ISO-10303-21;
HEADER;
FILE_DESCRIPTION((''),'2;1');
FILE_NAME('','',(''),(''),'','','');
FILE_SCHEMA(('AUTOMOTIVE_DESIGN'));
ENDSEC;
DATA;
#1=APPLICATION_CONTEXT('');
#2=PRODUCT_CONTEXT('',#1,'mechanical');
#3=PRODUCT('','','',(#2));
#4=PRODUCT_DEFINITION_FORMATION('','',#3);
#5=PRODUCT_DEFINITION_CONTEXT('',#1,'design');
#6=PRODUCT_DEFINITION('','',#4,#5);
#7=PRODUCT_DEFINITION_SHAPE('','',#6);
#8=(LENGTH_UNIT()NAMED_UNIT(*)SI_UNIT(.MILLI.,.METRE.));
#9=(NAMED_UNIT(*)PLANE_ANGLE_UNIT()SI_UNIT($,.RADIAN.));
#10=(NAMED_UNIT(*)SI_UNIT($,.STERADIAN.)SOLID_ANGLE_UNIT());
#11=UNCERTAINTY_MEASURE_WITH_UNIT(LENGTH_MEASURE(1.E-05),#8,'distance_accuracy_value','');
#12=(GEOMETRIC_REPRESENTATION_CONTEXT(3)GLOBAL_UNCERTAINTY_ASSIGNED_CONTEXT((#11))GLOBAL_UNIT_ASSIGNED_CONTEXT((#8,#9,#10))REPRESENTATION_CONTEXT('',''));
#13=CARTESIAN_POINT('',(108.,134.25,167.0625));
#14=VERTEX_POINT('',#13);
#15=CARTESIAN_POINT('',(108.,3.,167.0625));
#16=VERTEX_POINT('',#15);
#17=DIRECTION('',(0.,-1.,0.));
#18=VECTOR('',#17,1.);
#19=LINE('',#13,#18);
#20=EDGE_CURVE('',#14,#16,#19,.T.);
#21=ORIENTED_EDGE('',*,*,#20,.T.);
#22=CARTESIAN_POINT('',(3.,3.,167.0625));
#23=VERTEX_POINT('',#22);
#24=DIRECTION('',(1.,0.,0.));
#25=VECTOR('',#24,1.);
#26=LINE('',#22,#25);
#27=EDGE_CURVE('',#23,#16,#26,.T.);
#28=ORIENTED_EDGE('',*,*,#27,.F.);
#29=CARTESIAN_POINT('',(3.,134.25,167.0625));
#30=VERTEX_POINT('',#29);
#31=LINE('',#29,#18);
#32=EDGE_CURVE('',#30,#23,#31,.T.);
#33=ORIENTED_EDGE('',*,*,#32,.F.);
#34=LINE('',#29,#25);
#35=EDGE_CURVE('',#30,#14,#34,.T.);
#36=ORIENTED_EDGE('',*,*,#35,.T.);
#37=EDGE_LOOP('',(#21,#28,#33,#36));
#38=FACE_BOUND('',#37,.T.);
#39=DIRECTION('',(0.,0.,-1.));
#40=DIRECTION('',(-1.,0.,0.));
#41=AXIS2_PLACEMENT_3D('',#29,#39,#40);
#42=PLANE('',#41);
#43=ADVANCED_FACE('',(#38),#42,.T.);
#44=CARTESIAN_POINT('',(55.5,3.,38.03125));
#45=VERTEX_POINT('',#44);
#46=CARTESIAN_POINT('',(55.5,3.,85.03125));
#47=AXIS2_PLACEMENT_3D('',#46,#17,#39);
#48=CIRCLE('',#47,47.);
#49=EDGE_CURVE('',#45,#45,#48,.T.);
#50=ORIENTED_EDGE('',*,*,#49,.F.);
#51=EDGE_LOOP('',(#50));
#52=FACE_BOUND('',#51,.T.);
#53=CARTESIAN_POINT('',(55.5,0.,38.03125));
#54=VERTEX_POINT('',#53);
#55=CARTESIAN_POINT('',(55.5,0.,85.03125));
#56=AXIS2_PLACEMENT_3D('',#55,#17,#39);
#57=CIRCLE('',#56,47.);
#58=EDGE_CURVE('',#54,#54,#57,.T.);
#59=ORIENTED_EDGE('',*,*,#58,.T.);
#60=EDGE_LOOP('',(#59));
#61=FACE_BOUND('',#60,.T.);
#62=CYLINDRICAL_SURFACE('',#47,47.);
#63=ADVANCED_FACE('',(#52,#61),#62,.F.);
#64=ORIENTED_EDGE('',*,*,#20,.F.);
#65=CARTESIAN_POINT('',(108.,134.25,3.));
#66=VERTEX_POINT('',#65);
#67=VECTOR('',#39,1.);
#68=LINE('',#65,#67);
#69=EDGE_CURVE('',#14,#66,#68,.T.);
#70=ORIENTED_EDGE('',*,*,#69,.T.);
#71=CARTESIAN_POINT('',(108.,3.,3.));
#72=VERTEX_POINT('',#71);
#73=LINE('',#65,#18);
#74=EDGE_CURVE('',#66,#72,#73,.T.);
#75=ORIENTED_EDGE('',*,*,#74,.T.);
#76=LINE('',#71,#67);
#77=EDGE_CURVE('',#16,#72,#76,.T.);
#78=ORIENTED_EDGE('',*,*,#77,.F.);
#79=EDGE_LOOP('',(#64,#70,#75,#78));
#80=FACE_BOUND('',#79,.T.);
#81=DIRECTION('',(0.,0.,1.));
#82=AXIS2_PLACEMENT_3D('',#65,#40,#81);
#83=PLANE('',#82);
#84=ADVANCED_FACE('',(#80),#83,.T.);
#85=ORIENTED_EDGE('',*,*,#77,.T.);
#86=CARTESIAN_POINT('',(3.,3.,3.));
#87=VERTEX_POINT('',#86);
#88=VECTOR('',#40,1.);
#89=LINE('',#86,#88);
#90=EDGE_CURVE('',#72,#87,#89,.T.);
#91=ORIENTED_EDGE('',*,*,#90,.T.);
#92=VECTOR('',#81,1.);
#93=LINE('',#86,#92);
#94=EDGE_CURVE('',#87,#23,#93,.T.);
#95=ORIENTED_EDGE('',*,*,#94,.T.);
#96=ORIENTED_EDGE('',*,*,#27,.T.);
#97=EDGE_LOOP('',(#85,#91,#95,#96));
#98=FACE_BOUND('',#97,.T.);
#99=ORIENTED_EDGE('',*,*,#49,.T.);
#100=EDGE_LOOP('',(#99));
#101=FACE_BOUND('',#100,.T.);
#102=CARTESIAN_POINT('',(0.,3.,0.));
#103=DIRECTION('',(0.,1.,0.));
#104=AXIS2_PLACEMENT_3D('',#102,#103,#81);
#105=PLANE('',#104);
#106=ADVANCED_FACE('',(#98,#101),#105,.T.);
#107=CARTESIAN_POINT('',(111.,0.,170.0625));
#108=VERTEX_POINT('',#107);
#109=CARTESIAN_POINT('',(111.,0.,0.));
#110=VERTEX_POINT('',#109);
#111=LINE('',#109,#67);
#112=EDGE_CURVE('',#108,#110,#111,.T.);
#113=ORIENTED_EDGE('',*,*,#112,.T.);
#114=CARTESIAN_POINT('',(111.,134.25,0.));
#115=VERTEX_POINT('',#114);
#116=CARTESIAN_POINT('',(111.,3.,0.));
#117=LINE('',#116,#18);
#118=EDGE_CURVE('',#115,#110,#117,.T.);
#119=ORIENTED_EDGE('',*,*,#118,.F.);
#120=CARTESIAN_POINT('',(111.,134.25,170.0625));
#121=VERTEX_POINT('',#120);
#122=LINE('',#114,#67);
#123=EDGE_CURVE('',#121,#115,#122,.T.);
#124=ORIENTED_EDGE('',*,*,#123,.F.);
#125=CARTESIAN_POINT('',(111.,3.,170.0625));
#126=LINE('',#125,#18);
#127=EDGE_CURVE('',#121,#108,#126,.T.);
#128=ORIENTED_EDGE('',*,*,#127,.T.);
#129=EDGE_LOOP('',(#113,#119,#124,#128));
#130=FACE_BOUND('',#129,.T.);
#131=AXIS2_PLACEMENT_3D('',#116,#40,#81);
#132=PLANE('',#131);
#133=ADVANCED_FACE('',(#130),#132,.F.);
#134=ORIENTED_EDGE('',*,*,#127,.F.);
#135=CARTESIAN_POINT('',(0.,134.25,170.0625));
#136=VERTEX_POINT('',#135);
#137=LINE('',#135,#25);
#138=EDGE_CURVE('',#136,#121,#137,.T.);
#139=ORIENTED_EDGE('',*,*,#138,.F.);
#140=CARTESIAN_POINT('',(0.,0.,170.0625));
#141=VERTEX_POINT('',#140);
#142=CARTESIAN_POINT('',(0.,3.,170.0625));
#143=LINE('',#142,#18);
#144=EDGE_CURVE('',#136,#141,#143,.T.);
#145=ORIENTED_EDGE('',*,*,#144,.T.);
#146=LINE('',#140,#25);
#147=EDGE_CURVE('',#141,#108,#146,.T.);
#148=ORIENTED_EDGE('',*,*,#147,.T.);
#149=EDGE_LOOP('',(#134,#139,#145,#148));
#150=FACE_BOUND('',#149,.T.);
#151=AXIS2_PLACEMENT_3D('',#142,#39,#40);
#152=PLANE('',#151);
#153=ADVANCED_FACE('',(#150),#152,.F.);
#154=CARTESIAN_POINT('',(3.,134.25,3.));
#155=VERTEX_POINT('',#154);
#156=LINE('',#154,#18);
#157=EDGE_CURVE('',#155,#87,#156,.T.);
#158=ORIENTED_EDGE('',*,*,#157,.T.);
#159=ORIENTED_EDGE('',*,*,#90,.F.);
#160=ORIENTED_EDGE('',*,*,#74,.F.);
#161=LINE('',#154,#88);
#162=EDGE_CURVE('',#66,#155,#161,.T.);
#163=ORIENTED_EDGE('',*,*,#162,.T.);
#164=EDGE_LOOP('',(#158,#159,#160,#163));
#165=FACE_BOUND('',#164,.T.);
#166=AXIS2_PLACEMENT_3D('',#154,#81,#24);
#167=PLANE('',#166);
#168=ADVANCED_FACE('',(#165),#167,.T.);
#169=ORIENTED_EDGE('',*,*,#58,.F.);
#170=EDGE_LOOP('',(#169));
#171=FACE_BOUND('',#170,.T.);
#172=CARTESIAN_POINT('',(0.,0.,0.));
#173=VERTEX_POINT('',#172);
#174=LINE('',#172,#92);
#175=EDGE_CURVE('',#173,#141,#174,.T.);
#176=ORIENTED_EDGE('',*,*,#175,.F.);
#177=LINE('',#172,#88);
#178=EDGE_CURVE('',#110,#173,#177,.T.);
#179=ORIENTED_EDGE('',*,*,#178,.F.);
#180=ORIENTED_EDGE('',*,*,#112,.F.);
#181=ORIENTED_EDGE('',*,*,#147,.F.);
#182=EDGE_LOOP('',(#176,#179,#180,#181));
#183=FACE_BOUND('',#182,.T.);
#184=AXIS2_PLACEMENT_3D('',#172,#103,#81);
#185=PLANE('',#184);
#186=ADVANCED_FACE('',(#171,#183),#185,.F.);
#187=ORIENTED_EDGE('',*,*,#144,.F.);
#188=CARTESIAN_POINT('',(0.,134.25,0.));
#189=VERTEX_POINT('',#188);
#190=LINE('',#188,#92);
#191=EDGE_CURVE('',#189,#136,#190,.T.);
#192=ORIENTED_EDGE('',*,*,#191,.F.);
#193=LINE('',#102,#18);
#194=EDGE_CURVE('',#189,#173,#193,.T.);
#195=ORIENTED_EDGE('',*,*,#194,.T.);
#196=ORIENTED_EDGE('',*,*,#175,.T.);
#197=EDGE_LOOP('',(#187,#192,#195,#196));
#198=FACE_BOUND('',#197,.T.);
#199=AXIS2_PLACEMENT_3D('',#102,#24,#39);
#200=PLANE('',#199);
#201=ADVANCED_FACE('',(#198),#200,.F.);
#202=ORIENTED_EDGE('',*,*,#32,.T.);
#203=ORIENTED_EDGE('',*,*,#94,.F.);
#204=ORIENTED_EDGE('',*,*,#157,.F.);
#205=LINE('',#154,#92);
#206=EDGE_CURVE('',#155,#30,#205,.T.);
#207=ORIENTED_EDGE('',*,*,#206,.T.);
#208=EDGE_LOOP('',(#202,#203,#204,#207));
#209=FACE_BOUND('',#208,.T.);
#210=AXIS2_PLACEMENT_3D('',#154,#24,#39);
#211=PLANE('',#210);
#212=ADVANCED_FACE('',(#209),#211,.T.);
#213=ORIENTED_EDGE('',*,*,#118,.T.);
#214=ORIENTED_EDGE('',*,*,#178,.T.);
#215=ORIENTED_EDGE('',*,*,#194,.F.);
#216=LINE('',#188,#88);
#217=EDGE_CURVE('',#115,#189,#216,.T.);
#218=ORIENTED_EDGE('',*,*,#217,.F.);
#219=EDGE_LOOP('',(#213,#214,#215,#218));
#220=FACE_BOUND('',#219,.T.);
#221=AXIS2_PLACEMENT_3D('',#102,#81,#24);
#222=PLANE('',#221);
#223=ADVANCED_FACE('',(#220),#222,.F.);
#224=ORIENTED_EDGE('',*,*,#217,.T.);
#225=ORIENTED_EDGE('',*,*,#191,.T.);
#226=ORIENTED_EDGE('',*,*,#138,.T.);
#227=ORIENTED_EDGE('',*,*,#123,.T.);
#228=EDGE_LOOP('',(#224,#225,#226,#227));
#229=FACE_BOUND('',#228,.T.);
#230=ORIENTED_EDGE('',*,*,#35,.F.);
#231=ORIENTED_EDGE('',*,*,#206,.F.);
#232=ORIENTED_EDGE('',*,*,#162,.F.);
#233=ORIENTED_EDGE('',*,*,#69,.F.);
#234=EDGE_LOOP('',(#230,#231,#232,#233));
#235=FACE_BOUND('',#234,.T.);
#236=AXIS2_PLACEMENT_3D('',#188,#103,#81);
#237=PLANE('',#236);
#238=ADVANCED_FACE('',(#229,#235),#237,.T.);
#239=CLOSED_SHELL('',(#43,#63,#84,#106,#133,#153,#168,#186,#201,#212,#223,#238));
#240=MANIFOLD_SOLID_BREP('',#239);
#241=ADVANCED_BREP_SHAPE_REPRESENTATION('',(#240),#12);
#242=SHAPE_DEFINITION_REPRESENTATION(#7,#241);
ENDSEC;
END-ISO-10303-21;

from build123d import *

# Parameters (mm, degrees)
SKETCH1_W           = 111
SKETCH1_H           = 170.0625
BOSS_EXTRUDE1_DEPTH = 3
SKETCH2_W           = 111
SKETCH2_H           = 170.0625
SKETCH2_W_2         = 105
SKETCH2_H_2         = 164.0625
BOSS_EXTRUDE2_DEPTH = 131.25
SKETCH3_R           = 47
CUT_EXTRUDE1_DEPTH  = 3


with BuildPart() as part:
    # Sketch1 → Boss-Extrude1 (new body)
    with BuildSketch(Plane(origin=(0, 0, 0), x_dir=(1, 0, 0), z_dir=(0, 1, 0))):
        with Locations((55.5, -85.03125)):
            Rectangle(SKETCH1_W, SKETCH1_H)
    extrude(amount=BOSS_EXTRUDE1_DEPTH)

    # Sketch2 → Boss-Extrude2 (add)
    with BuildSketch(Plane(origin=(0, 3, 0), x_dir=(1, 0, 0), z_dir=(0, 1, 0))):
        with Locations((55.5, -85.03125)):
            Rectangle(SKETCH2_W, SKETCH2_H)
        with Locations((55.5, -85.03125)):
            Rectangle(SKETCH2_W_2, SKETCH2_H_2, mode=Mode.SUBTRACT)
    extrude(amount=BOSS_EXTRUDE2_DEPTH)

    # Sketch3 → Cut-Extrude1 (cut)
    with BuildSketch(Plane(origin=(0, 0, 0), x_dir=(-1, 0, 0), z_dir=(0, -1, 0))):
        with Locations(Location((-55.5, -85.03125, 0), (0, 0, 90))):
            Circle(SKETCH3_R)
    extrude(amount=-CUT_EXTRUDE1_DEPTH, mode=Mode.SUBTRACT)


solid = part.part
